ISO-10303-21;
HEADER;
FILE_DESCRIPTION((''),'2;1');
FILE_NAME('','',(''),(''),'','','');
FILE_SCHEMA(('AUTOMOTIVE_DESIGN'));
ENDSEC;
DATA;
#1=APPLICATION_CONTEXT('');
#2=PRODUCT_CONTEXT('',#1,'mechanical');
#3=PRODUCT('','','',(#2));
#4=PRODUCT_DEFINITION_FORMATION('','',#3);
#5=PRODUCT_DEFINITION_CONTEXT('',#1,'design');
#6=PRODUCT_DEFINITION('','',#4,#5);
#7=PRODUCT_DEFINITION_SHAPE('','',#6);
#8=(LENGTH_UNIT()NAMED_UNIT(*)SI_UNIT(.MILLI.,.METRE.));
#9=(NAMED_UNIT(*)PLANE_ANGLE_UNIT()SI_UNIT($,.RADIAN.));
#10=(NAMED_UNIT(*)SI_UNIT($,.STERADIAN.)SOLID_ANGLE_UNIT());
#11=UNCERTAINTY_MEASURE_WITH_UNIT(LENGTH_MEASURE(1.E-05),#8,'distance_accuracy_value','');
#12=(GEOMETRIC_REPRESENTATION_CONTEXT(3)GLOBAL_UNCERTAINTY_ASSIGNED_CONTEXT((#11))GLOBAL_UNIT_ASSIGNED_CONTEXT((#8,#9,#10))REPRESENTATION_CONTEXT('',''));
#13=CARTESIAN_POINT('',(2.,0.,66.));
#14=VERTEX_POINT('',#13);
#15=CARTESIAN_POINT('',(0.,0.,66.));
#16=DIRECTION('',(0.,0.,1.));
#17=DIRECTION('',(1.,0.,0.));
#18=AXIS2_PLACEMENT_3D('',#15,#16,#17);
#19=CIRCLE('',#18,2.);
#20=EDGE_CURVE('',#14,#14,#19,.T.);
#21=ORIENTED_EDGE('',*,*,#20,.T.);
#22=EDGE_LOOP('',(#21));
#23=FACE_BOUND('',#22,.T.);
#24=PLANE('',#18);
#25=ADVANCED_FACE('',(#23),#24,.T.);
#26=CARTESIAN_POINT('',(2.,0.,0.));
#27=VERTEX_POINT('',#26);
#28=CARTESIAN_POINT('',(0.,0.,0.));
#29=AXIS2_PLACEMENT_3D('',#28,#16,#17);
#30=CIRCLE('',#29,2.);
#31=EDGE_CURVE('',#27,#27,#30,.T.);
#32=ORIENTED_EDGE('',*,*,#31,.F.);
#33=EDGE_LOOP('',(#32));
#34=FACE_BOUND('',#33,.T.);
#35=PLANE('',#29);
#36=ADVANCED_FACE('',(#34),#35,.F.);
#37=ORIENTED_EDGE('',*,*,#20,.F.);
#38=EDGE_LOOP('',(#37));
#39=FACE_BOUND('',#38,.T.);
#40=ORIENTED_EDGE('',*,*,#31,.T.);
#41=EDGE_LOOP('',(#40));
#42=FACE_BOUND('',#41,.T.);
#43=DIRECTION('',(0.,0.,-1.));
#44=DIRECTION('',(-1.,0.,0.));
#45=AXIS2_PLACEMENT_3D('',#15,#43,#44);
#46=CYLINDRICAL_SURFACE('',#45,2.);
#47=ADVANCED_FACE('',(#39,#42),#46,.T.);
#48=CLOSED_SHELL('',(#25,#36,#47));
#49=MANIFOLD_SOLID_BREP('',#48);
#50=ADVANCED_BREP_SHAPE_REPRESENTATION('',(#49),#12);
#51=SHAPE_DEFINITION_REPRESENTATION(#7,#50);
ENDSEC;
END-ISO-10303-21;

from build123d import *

# Parameters (mm, degrees)
SKETCH1_R           = 2
BOSS_EXTRUDE1_DEPTH = 66


with BuildPart() as part:
    # Sketch1 → Boss-Extrude1 (new body)
    with BuildSketch(Plane.XY):
        Circle(SKETCH1_R)
    extrude(amount=BOSS_EXTRUDE1_DEPTH)


solid = part.part
